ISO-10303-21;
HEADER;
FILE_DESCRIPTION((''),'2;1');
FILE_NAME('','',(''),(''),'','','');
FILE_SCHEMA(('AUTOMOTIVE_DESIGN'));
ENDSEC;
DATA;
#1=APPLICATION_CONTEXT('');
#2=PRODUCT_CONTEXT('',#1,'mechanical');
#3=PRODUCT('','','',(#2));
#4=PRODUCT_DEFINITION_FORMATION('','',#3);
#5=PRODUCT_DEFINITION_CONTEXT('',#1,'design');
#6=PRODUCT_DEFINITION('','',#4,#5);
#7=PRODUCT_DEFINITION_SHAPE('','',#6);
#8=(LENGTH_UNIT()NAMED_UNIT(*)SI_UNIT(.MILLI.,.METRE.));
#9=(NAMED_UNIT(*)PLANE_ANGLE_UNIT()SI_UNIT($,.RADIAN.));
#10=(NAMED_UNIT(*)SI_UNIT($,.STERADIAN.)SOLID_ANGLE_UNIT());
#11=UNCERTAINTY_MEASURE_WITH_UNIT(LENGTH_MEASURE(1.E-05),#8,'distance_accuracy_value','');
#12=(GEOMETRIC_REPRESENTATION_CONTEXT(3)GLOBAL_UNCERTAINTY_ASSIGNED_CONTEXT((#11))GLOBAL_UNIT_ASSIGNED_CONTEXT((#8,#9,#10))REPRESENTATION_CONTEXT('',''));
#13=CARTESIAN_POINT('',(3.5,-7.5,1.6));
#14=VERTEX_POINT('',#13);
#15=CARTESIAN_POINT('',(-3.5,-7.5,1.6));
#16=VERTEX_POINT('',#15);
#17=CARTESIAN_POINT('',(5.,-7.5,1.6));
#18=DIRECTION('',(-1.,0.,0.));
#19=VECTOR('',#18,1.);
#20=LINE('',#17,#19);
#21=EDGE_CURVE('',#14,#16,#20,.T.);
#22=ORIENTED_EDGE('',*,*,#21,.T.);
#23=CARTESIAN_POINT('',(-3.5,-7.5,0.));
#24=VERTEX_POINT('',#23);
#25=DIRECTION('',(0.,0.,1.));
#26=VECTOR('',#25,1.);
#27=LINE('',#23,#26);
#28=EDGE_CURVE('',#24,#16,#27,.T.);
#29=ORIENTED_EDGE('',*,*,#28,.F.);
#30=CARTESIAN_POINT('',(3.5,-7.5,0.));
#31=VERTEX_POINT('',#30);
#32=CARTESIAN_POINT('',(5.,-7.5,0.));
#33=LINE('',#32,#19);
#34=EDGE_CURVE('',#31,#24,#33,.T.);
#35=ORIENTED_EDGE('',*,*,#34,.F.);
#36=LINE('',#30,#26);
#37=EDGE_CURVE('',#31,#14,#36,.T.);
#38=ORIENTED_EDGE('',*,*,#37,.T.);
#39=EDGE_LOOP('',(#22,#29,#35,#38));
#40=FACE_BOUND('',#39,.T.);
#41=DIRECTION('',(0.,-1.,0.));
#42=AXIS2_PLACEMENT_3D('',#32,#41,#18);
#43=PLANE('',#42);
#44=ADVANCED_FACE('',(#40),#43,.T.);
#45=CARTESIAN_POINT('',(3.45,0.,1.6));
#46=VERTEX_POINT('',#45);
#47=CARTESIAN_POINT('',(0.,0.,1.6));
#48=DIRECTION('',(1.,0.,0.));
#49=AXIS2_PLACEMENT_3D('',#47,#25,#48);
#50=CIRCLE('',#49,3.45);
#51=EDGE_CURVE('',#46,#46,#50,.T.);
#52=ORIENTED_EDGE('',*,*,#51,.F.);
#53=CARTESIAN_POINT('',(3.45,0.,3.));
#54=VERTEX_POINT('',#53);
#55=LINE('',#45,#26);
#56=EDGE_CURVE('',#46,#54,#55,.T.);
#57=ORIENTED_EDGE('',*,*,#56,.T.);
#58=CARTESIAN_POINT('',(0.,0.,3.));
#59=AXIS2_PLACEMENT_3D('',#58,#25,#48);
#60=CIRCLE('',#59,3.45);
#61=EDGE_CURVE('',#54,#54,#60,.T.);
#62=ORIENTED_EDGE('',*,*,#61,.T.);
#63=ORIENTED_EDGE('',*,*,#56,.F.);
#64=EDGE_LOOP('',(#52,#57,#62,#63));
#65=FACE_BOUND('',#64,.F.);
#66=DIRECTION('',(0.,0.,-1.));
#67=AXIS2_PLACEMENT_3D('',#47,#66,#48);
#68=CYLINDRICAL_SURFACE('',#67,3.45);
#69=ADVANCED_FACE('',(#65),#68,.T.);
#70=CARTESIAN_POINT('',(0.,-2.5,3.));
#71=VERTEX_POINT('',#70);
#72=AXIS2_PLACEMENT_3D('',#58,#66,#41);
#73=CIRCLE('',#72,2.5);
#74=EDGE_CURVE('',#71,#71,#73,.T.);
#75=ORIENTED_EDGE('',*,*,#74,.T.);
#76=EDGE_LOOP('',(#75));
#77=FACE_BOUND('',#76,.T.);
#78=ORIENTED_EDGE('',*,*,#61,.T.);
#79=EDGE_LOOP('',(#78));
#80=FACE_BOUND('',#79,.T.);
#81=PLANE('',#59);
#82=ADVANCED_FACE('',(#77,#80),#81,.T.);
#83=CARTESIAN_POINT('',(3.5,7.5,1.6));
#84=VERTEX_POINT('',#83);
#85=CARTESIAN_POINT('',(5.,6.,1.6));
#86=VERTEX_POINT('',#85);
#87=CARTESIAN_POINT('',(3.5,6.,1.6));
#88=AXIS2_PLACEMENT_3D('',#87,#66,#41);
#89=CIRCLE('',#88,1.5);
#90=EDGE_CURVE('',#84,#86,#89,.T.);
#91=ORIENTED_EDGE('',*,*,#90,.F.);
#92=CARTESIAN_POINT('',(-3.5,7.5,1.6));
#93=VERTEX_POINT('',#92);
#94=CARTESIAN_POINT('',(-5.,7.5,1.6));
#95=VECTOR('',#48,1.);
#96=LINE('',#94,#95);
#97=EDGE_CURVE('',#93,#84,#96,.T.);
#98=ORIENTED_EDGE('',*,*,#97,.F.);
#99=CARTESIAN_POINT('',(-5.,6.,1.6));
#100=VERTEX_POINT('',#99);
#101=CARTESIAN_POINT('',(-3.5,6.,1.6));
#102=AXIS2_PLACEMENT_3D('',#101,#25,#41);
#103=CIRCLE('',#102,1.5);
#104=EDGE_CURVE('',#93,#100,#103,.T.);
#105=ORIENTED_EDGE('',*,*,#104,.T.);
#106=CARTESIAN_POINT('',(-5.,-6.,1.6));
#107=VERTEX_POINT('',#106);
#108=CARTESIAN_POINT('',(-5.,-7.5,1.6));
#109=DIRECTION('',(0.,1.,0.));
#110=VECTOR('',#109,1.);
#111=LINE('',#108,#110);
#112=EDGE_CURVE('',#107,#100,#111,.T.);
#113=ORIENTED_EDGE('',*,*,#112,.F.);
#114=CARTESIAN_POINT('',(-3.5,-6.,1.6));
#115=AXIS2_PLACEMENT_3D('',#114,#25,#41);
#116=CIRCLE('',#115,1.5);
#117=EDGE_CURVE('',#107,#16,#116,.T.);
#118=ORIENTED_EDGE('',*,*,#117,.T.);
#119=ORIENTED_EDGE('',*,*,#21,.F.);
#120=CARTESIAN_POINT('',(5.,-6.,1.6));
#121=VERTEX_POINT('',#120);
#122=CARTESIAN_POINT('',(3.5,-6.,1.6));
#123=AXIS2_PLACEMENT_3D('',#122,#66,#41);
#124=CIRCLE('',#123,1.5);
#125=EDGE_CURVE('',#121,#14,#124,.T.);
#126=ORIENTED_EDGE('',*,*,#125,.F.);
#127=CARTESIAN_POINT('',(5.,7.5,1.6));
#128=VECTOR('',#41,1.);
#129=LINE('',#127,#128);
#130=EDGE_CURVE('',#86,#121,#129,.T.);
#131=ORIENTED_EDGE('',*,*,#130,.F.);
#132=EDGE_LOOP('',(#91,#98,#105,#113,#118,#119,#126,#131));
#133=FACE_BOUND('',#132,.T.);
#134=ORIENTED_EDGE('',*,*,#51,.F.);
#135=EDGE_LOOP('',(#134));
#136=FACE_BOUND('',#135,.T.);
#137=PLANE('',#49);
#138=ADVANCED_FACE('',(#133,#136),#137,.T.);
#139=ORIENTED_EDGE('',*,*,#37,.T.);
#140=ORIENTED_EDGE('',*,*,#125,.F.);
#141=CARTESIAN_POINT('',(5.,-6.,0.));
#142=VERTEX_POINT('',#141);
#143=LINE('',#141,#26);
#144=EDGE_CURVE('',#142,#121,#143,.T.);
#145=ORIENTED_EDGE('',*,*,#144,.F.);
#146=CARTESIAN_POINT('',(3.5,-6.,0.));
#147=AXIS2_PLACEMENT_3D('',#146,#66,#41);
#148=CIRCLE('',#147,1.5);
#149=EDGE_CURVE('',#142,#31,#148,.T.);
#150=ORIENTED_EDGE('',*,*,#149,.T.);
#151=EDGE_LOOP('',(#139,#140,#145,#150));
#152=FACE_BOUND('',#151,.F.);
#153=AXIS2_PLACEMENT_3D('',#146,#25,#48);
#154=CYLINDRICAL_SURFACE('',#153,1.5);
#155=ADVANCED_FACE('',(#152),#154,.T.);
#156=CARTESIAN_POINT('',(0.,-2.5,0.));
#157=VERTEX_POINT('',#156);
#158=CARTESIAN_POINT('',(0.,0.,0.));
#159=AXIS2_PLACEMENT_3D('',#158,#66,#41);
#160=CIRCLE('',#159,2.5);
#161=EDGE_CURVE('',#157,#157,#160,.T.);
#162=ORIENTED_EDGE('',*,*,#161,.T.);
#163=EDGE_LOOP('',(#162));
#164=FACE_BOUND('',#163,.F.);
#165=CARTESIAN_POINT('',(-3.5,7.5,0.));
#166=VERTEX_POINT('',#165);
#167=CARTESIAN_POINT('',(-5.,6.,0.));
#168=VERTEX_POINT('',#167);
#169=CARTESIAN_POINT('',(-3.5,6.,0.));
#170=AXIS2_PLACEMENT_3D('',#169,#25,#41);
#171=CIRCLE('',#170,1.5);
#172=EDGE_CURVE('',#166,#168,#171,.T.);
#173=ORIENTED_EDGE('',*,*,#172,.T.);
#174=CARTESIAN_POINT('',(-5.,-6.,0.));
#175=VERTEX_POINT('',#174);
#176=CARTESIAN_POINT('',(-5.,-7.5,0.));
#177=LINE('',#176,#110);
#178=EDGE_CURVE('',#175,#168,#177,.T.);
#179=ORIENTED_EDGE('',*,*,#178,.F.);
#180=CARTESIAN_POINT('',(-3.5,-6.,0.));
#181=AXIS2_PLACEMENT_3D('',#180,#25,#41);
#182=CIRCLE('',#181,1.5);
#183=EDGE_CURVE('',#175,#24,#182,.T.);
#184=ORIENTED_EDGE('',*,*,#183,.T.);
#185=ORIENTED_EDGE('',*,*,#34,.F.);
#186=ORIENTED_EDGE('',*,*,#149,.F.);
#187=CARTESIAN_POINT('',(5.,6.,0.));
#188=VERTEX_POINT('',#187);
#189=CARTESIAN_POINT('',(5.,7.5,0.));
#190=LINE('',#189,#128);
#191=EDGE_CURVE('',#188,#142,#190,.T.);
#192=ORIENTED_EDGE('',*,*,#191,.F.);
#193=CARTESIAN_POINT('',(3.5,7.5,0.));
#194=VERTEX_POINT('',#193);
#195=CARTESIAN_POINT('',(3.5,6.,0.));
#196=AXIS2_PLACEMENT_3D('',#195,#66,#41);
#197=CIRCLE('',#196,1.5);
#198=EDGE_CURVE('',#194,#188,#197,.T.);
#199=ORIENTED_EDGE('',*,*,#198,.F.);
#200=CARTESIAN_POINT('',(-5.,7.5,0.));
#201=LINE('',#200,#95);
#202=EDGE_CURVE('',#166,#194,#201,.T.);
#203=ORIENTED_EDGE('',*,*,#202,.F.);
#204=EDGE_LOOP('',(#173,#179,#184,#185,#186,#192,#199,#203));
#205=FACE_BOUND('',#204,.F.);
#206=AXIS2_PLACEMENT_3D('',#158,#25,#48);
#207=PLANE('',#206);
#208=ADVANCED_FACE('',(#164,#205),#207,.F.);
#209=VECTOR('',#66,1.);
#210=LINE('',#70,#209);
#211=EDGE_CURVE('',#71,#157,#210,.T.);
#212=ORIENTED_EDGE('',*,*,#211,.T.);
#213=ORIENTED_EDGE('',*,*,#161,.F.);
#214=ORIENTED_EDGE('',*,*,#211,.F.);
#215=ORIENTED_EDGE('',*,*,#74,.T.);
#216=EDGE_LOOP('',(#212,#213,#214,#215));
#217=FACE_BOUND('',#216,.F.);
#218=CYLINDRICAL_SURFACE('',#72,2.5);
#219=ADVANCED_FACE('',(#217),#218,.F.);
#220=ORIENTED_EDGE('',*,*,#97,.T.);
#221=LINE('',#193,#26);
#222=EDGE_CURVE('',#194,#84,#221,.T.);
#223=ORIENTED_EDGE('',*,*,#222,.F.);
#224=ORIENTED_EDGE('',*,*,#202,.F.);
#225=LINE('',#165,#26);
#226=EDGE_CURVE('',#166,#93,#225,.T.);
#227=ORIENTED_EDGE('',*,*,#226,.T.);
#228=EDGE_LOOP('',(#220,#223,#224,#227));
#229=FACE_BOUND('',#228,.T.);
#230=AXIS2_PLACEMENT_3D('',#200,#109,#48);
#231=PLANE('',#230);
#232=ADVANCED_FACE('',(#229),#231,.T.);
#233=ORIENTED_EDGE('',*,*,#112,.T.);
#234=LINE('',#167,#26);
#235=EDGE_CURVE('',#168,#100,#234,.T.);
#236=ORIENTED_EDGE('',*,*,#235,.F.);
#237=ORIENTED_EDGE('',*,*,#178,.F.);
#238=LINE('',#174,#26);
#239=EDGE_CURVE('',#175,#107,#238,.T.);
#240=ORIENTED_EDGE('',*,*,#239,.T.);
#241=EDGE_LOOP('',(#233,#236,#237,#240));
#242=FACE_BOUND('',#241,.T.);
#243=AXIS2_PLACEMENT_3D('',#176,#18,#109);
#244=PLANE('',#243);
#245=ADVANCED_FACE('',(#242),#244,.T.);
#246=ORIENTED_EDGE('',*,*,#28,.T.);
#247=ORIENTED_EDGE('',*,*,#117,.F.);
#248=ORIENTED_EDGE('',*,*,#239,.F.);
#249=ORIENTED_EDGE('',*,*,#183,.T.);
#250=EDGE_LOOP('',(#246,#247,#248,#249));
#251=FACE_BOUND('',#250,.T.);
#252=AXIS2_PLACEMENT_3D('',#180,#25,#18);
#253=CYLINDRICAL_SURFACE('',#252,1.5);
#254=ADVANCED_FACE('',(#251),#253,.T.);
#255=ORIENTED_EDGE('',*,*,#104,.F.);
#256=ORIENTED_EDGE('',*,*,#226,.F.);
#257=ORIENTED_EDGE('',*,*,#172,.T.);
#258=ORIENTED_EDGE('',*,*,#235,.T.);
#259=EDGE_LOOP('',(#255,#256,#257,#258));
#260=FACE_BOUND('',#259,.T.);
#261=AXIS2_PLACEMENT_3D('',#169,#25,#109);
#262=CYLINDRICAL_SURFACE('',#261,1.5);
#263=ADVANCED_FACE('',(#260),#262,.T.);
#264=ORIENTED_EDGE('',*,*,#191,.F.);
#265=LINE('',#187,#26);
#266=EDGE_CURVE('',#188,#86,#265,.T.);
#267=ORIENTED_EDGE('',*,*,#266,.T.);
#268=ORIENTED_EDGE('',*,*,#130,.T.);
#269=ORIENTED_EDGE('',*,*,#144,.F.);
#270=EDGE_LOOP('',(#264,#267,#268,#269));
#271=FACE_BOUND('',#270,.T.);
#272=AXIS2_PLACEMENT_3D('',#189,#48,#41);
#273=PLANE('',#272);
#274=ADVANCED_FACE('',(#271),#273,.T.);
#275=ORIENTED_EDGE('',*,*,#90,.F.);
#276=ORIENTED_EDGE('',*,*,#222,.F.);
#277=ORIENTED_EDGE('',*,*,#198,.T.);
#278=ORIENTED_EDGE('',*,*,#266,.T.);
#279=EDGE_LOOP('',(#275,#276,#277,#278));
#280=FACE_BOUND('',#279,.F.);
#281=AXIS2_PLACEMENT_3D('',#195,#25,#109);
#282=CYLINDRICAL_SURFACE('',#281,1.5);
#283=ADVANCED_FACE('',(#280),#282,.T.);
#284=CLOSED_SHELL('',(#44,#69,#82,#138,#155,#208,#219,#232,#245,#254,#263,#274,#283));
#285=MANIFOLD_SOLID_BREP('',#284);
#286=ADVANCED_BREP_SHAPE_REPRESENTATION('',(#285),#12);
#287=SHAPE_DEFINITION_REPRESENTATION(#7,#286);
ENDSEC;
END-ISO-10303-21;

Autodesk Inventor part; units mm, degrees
ref_plane "YZ Plane" through (0, 0, 0) normal (1, 0, 0) x (0, 1, 0)
ref_plane "XZ Plane" through (0, 0, 0) normal (0, 1, 0) x (-1, 0, 0)
ref_plane "XY Plane" through (0, 0, 0) normal (0, 0, 1) x (1, 0, 0)
sketch "Sketch1" plane through (0, 0, 0) normal (0, 0, 1) x (1, 0, 0)
  line L0 (-5, 7.5) -> (5, 7.5)
  line L1 (5, 7.5) -> (5, -7.5)
  line L2 (5, -7.5) -> (-5, -7.5)
  line L3 (-5, -7.5) -> (-5, 7.5)
  line L4 (-5, 7.5) -> (5, -7.5) construction
  line L5 (5, 7.5) -> (-5, -7.5) construction
  point P0 (0, 0)
  dimension "d0" = 10
  dimension "d1" = 15
extrude "Extrusion1" add sketch "Sketch1" along normal blind 1.6
sketch "Sketch2" plane through (0, 0, 1.6) normal (0, 0, 1) x (1, 0, 0)
  circle A0 centre (0, 0) radius 3.45
  dimension "d4" = 6.9
extrude "Extrusion2" add sketch "Sketch2" along normal blind 1.4
sketch "Sketch3" plane through (0, 0, 3) normal (0, 0, 1) x (1, 0, 0)
  circle A0 centre (0, 0) radius 3.45 projected
hole "Hole1" at (0, 0, 3) direction (0, 0, -1) diameter 5 end through all
fillet "Fillet1" radius 1.5 4 edges at (5, 7.5, 0.8) (-5, 7.5, 0.8) (5, -7.5, 0.8) (-5, -7.5, 0.8)
properties part number "5mm Tee Nut" material "Steel"
